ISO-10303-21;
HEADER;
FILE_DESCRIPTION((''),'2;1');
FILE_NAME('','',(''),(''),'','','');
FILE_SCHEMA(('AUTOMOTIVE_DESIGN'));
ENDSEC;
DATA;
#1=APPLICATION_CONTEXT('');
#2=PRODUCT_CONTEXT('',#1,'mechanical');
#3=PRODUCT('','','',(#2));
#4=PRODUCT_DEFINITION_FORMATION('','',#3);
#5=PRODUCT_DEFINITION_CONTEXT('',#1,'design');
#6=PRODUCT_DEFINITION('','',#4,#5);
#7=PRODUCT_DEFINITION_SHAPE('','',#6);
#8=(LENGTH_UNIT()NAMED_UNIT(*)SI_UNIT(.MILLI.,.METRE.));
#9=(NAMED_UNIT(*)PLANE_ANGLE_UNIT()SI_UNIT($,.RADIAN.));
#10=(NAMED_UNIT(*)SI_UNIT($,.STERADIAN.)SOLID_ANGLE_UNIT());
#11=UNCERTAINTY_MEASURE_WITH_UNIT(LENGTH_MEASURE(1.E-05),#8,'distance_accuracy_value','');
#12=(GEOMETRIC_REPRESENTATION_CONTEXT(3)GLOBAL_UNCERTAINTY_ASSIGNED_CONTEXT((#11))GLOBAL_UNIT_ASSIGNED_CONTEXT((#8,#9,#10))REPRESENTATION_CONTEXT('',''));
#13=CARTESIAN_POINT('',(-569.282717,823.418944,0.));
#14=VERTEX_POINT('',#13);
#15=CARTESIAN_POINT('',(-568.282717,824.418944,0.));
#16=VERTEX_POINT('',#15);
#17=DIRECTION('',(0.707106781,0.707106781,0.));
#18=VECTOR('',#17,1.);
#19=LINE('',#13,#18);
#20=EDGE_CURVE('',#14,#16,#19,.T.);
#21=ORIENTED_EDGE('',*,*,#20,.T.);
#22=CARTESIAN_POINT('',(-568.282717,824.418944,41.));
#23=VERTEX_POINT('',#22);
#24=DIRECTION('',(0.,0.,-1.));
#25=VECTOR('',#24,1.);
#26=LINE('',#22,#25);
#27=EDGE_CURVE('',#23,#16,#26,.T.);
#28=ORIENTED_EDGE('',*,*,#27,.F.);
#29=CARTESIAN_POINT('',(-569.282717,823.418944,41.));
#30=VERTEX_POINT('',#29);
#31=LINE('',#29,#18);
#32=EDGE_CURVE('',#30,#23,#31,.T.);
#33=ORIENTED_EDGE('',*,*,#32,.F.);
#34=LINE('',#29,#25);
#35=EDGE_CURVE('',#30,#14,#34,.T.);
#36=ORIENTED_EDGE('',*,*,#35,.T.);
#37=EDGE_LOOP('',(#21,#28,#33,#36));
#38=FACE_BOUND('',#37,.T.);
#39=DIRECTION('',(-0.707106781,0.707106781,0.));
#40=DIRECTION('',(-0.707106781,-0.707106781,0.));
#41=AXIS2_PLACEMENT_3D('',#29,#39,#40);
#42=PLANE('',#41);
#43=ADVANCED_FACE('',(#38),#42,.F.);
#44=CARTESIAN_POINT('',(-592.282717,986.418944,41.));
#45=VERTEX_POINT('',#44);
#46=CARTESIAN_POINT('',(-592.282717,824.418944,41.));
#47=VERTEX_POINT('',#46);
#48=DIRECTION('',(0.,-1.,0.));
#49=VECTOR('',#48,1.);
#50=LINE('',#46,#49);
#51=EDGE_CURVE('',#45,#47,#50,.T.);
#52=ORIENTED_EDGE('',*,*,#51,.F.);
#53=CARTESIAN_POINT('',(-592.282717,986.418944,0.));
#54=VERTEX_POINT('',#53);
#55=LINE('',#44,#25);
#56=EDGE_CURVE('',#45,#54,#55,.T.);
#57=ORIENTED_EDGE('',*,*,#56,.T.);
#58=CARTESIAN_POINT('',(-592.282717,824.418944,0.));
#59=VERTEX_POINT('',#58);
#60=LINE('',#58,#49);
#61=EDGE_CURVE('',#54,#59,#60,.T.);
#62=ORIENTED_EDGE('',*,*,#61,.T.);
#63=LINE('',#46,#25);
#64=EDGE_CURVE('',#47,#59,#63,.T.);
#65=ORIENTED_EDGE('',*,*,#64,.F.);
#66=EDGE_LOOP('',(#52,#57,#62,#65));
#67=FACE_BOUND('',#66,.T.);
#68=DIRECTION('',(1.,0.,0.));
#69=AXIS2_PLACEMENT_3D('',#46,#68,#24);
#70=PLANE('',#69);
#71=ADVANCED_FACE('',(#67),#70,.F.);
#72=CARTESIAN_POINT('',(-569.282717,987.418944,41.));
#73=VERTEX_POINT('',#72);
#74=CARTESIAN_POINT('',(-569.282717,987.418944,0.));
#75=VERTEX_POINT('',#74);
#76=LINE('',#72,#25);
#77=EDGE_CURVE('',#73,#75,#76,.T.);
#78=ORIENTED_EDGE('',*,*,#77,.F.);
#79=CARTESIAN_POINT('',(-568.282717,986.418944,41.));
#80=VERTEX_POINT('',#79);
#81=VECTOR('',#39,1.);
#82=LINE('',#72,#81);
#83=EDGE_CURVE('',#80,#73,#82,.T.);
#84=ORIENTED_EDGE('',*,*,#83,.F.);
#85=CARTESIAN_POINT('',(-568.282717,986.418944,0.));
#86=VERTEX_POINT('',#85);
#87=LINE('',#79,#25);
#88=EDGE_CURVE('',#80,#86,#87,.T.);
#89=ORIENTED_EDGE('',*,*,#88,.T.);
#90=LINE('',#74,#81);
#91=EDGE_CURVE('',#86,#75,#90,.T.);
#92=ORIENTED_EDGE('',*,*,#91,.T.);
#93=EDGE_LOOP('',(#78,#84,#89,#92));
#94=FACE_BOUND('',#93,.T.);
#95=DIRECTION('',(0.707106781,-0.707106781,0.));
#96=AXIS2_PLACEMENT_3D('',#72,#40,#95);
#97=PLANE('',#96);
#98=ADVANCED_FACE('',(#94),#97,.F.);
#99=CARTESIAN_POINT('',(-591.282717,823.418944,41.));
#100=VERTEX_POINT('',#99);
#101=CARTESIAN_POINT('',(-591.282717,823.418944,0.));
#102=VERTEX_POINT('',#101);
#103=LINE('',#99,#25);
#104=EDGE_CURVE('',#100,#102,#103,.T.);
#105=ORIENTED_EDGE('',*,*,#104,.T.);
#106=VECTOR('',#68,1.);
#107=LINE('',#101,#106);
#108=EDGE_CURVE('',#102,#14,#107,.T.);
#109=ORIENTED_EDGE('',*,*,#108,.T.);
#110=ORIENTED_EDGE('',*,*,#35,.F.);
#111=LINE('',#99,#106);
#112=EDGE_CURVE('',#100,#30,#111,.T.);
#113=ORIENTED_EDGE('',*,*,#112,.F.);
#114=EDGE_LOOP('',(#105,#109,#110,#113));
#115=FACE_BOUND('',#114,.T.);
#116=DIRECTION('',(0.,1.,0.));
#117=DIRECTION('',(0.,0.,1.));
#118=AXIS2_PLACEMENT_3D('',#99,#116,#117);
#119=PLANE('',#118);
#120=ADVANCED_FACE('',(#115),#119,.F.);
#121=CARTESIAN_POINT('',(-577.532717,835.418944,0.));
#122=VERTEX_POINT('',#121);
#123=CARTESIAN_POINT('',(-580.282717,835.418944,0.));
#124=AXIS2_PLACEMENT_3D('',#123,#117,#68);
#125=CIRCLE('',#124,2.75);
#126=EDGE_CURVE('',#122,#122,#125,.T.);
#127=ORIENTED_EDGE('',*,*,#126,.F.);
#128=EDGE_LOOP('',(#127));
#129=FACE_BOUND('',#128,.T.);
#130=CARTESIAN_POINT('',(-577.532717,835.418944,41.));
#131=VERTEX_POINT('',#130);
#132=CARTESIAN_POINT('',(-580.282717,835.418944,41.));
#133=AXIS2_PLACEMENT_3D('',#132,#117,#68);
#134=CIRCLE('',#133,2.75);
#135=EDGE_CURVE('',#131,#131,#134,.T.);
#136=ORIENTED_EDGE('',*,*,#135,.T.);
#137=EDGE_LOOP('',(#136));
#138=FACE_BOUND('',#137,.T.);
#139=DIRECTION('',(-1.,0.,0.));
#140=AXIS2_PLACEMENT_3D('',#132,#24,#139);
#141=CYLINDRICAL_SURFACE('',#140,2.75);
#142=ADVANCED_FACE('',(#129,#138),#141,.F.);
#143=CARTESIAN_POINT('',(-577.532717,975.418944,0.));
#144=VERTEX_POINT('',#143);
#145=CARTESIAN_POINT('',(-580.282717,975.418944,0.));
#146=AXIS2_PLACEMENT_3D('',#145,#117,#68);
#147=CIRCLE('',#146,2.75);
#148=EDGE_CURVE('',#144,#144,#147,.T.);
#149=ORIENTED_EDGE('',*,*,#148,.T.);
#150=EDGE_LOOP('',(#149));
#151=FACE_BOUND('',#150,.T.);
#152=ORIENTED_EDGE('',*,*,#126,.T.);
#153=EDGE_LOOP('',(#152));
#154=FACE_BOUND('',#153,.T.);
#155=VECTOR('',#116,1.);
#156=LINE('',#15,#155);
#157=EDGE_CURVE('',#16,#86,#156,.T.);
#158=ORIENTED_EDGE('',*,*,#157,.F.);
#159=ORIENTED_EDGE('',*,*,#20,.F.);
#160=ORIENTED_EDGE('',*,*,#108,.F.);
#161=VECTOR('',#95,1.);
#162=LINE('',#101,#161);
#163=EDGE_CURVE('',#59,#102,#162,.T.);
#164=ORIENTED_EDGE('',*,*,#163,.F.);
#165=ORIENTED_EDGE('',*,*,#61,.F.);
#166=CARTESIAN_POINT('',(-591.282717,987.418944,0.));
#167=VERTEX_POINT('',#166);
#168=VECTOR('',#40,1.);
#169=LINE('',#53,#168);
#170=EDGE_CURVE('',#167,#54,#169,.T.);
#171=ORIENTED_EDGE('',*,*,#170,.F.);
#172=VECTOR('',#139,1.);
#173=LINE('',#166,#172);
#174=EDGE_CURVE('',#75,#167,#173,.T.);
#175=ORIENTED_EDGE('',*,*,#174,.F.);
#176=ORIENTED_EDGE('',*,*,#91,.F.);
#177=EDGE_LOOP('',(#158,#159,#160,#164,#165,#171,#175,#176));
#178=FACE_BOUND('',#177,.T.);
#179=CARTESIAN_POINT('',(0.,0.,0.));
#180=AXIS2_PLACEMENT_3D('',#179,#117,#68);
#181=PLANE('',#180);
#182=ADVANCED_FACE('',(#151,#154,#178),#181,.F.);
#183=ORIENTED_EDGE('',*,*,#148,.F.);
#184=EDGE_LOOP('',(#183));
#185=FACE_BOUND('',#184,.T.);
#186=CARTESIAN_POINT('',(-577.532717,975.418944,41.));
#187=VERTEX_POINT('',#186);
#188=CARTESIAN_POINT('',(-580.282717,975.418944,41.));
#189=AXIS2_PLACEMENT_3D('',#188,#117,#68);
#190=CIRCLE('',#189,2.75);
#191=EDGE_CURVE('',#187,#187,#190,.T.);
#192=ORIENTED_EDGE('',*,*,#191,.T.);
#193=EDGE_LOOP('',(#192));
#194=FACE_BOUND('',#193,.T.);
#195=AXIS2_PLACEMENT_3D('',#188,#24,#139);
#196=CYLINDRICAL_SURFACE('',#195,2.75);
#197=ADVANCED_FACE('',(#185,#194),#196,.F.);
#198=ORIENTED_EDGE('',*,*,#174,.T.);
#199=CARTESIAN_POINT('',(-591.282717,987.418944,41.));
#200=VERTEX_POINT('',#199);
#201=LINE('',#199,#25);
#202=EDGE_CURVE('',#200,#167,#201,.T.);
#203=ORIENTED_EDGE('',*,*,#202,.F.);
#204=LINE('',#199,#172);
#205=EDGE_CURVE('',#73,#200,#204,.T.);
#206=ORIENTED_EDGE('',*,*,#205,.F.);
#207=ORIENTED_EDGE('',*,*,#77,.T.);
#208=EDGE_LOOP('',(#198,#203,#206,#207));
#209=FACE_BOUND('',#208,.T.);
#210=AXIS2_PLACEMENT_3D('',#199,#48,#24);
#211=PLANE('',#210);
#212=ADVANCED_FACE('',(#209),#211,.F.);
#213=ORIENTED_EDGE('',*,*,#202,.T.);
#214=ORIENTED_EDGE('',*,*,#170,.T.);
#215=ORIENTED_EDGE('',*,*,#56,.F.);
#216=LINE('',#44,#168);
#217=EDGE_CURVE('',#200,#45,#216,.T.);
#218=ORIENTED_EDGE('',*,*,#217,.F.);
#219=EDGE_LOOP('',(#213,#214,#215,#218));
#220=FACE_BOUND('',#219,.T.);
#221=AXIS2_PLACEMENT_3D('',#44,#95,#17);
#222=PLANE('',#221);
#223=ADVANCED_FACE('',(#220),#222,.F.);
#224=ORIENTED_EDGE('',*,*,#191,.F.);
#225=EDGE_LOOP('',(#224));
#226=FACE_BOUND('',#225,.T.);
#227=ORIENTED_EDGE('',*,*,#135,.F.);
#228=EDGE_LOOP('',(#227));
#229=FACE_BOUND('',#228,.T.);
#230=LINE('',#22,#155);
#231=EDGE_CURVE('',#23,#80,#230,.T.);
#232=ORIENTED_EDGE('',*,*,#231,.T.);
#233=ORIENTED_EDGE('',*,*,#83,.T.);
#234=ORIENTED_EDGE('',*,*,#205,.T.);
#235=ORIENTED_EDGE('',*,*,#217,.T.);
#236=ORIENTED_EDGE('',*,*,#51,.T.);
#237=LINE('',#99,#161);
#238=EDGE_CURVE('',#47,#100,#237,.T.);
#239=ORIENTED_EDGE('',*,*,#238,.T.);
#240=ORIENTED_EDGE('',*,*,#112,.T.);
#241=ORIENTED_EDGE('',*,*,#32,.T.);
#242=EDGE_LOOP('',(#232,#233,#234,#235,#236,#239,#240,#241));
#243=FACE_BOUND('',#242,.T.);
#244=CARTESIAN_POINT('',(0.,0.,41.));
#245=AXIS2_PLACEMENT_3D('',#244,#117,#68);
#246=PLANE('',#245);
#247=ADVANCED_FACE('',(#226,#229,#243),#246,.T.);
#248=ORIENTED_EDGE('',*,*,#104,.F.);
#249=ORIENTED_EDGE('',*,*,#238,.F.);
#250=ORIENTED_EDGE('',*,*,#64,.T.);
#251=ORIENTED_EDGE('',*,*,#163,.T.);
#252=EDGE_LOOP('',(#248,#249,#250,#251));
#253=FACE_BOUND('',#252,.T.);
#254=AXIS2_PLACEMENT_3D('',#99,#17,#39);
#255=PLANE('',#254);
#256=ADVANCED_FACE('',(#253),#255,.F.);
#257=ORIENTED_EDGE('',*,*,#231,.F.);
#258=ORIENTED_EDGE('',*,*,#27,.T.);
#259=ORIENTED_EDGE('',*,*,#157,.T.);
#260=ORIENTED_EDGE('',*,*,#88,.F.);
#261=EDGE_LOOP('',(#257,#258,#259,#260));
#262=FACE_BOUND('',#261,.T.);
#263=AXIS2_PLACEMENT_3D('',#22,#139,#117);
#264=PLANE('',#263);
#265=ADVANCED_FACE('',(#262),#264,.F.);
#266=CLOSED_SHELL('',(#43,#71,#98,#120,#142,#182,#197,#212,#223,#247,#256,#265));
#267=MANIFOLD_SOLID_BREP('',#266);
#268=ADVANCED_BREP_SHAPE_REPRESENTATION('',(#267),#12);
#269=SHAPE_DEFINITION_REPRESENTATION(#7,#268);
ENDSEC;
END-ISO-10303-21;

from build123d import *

# Parameters (mm, degrees)
CROQUIS2_R              = 2.75
SALIENTE_EXTRUIR1_DEPTH = 41


with BuildPart() as part:
    # Croquis2 → Saliente-Extruir1 (new body)
    with BuildSketch(Plane.XY):
        Polygon((-592.282716973, 986.418944407), (-591.282716973, 987.418944407), (-569.282716973, 987.418944407), (-568.282716973, 986.418944407), (-568.282716973, 824.418944407), (-569.282716973, 823.418944407), (-591.282716973, 823.418944407), (-592.282716973, 824.418944407), align=None)
        with Locations((-580.282716973, 975.418944407)):
            Circle(CROQUIS2_R, mode=Mode.SUBTRACT)
        with Locations((-580.282716973, 835.418944407)):
            Circle(CROQUIS2_R, mode=Mode.SUBTRACT)
    extrude(amount=SALIENTE_EXTRUIR1_DEPTH)


solid = part.part
